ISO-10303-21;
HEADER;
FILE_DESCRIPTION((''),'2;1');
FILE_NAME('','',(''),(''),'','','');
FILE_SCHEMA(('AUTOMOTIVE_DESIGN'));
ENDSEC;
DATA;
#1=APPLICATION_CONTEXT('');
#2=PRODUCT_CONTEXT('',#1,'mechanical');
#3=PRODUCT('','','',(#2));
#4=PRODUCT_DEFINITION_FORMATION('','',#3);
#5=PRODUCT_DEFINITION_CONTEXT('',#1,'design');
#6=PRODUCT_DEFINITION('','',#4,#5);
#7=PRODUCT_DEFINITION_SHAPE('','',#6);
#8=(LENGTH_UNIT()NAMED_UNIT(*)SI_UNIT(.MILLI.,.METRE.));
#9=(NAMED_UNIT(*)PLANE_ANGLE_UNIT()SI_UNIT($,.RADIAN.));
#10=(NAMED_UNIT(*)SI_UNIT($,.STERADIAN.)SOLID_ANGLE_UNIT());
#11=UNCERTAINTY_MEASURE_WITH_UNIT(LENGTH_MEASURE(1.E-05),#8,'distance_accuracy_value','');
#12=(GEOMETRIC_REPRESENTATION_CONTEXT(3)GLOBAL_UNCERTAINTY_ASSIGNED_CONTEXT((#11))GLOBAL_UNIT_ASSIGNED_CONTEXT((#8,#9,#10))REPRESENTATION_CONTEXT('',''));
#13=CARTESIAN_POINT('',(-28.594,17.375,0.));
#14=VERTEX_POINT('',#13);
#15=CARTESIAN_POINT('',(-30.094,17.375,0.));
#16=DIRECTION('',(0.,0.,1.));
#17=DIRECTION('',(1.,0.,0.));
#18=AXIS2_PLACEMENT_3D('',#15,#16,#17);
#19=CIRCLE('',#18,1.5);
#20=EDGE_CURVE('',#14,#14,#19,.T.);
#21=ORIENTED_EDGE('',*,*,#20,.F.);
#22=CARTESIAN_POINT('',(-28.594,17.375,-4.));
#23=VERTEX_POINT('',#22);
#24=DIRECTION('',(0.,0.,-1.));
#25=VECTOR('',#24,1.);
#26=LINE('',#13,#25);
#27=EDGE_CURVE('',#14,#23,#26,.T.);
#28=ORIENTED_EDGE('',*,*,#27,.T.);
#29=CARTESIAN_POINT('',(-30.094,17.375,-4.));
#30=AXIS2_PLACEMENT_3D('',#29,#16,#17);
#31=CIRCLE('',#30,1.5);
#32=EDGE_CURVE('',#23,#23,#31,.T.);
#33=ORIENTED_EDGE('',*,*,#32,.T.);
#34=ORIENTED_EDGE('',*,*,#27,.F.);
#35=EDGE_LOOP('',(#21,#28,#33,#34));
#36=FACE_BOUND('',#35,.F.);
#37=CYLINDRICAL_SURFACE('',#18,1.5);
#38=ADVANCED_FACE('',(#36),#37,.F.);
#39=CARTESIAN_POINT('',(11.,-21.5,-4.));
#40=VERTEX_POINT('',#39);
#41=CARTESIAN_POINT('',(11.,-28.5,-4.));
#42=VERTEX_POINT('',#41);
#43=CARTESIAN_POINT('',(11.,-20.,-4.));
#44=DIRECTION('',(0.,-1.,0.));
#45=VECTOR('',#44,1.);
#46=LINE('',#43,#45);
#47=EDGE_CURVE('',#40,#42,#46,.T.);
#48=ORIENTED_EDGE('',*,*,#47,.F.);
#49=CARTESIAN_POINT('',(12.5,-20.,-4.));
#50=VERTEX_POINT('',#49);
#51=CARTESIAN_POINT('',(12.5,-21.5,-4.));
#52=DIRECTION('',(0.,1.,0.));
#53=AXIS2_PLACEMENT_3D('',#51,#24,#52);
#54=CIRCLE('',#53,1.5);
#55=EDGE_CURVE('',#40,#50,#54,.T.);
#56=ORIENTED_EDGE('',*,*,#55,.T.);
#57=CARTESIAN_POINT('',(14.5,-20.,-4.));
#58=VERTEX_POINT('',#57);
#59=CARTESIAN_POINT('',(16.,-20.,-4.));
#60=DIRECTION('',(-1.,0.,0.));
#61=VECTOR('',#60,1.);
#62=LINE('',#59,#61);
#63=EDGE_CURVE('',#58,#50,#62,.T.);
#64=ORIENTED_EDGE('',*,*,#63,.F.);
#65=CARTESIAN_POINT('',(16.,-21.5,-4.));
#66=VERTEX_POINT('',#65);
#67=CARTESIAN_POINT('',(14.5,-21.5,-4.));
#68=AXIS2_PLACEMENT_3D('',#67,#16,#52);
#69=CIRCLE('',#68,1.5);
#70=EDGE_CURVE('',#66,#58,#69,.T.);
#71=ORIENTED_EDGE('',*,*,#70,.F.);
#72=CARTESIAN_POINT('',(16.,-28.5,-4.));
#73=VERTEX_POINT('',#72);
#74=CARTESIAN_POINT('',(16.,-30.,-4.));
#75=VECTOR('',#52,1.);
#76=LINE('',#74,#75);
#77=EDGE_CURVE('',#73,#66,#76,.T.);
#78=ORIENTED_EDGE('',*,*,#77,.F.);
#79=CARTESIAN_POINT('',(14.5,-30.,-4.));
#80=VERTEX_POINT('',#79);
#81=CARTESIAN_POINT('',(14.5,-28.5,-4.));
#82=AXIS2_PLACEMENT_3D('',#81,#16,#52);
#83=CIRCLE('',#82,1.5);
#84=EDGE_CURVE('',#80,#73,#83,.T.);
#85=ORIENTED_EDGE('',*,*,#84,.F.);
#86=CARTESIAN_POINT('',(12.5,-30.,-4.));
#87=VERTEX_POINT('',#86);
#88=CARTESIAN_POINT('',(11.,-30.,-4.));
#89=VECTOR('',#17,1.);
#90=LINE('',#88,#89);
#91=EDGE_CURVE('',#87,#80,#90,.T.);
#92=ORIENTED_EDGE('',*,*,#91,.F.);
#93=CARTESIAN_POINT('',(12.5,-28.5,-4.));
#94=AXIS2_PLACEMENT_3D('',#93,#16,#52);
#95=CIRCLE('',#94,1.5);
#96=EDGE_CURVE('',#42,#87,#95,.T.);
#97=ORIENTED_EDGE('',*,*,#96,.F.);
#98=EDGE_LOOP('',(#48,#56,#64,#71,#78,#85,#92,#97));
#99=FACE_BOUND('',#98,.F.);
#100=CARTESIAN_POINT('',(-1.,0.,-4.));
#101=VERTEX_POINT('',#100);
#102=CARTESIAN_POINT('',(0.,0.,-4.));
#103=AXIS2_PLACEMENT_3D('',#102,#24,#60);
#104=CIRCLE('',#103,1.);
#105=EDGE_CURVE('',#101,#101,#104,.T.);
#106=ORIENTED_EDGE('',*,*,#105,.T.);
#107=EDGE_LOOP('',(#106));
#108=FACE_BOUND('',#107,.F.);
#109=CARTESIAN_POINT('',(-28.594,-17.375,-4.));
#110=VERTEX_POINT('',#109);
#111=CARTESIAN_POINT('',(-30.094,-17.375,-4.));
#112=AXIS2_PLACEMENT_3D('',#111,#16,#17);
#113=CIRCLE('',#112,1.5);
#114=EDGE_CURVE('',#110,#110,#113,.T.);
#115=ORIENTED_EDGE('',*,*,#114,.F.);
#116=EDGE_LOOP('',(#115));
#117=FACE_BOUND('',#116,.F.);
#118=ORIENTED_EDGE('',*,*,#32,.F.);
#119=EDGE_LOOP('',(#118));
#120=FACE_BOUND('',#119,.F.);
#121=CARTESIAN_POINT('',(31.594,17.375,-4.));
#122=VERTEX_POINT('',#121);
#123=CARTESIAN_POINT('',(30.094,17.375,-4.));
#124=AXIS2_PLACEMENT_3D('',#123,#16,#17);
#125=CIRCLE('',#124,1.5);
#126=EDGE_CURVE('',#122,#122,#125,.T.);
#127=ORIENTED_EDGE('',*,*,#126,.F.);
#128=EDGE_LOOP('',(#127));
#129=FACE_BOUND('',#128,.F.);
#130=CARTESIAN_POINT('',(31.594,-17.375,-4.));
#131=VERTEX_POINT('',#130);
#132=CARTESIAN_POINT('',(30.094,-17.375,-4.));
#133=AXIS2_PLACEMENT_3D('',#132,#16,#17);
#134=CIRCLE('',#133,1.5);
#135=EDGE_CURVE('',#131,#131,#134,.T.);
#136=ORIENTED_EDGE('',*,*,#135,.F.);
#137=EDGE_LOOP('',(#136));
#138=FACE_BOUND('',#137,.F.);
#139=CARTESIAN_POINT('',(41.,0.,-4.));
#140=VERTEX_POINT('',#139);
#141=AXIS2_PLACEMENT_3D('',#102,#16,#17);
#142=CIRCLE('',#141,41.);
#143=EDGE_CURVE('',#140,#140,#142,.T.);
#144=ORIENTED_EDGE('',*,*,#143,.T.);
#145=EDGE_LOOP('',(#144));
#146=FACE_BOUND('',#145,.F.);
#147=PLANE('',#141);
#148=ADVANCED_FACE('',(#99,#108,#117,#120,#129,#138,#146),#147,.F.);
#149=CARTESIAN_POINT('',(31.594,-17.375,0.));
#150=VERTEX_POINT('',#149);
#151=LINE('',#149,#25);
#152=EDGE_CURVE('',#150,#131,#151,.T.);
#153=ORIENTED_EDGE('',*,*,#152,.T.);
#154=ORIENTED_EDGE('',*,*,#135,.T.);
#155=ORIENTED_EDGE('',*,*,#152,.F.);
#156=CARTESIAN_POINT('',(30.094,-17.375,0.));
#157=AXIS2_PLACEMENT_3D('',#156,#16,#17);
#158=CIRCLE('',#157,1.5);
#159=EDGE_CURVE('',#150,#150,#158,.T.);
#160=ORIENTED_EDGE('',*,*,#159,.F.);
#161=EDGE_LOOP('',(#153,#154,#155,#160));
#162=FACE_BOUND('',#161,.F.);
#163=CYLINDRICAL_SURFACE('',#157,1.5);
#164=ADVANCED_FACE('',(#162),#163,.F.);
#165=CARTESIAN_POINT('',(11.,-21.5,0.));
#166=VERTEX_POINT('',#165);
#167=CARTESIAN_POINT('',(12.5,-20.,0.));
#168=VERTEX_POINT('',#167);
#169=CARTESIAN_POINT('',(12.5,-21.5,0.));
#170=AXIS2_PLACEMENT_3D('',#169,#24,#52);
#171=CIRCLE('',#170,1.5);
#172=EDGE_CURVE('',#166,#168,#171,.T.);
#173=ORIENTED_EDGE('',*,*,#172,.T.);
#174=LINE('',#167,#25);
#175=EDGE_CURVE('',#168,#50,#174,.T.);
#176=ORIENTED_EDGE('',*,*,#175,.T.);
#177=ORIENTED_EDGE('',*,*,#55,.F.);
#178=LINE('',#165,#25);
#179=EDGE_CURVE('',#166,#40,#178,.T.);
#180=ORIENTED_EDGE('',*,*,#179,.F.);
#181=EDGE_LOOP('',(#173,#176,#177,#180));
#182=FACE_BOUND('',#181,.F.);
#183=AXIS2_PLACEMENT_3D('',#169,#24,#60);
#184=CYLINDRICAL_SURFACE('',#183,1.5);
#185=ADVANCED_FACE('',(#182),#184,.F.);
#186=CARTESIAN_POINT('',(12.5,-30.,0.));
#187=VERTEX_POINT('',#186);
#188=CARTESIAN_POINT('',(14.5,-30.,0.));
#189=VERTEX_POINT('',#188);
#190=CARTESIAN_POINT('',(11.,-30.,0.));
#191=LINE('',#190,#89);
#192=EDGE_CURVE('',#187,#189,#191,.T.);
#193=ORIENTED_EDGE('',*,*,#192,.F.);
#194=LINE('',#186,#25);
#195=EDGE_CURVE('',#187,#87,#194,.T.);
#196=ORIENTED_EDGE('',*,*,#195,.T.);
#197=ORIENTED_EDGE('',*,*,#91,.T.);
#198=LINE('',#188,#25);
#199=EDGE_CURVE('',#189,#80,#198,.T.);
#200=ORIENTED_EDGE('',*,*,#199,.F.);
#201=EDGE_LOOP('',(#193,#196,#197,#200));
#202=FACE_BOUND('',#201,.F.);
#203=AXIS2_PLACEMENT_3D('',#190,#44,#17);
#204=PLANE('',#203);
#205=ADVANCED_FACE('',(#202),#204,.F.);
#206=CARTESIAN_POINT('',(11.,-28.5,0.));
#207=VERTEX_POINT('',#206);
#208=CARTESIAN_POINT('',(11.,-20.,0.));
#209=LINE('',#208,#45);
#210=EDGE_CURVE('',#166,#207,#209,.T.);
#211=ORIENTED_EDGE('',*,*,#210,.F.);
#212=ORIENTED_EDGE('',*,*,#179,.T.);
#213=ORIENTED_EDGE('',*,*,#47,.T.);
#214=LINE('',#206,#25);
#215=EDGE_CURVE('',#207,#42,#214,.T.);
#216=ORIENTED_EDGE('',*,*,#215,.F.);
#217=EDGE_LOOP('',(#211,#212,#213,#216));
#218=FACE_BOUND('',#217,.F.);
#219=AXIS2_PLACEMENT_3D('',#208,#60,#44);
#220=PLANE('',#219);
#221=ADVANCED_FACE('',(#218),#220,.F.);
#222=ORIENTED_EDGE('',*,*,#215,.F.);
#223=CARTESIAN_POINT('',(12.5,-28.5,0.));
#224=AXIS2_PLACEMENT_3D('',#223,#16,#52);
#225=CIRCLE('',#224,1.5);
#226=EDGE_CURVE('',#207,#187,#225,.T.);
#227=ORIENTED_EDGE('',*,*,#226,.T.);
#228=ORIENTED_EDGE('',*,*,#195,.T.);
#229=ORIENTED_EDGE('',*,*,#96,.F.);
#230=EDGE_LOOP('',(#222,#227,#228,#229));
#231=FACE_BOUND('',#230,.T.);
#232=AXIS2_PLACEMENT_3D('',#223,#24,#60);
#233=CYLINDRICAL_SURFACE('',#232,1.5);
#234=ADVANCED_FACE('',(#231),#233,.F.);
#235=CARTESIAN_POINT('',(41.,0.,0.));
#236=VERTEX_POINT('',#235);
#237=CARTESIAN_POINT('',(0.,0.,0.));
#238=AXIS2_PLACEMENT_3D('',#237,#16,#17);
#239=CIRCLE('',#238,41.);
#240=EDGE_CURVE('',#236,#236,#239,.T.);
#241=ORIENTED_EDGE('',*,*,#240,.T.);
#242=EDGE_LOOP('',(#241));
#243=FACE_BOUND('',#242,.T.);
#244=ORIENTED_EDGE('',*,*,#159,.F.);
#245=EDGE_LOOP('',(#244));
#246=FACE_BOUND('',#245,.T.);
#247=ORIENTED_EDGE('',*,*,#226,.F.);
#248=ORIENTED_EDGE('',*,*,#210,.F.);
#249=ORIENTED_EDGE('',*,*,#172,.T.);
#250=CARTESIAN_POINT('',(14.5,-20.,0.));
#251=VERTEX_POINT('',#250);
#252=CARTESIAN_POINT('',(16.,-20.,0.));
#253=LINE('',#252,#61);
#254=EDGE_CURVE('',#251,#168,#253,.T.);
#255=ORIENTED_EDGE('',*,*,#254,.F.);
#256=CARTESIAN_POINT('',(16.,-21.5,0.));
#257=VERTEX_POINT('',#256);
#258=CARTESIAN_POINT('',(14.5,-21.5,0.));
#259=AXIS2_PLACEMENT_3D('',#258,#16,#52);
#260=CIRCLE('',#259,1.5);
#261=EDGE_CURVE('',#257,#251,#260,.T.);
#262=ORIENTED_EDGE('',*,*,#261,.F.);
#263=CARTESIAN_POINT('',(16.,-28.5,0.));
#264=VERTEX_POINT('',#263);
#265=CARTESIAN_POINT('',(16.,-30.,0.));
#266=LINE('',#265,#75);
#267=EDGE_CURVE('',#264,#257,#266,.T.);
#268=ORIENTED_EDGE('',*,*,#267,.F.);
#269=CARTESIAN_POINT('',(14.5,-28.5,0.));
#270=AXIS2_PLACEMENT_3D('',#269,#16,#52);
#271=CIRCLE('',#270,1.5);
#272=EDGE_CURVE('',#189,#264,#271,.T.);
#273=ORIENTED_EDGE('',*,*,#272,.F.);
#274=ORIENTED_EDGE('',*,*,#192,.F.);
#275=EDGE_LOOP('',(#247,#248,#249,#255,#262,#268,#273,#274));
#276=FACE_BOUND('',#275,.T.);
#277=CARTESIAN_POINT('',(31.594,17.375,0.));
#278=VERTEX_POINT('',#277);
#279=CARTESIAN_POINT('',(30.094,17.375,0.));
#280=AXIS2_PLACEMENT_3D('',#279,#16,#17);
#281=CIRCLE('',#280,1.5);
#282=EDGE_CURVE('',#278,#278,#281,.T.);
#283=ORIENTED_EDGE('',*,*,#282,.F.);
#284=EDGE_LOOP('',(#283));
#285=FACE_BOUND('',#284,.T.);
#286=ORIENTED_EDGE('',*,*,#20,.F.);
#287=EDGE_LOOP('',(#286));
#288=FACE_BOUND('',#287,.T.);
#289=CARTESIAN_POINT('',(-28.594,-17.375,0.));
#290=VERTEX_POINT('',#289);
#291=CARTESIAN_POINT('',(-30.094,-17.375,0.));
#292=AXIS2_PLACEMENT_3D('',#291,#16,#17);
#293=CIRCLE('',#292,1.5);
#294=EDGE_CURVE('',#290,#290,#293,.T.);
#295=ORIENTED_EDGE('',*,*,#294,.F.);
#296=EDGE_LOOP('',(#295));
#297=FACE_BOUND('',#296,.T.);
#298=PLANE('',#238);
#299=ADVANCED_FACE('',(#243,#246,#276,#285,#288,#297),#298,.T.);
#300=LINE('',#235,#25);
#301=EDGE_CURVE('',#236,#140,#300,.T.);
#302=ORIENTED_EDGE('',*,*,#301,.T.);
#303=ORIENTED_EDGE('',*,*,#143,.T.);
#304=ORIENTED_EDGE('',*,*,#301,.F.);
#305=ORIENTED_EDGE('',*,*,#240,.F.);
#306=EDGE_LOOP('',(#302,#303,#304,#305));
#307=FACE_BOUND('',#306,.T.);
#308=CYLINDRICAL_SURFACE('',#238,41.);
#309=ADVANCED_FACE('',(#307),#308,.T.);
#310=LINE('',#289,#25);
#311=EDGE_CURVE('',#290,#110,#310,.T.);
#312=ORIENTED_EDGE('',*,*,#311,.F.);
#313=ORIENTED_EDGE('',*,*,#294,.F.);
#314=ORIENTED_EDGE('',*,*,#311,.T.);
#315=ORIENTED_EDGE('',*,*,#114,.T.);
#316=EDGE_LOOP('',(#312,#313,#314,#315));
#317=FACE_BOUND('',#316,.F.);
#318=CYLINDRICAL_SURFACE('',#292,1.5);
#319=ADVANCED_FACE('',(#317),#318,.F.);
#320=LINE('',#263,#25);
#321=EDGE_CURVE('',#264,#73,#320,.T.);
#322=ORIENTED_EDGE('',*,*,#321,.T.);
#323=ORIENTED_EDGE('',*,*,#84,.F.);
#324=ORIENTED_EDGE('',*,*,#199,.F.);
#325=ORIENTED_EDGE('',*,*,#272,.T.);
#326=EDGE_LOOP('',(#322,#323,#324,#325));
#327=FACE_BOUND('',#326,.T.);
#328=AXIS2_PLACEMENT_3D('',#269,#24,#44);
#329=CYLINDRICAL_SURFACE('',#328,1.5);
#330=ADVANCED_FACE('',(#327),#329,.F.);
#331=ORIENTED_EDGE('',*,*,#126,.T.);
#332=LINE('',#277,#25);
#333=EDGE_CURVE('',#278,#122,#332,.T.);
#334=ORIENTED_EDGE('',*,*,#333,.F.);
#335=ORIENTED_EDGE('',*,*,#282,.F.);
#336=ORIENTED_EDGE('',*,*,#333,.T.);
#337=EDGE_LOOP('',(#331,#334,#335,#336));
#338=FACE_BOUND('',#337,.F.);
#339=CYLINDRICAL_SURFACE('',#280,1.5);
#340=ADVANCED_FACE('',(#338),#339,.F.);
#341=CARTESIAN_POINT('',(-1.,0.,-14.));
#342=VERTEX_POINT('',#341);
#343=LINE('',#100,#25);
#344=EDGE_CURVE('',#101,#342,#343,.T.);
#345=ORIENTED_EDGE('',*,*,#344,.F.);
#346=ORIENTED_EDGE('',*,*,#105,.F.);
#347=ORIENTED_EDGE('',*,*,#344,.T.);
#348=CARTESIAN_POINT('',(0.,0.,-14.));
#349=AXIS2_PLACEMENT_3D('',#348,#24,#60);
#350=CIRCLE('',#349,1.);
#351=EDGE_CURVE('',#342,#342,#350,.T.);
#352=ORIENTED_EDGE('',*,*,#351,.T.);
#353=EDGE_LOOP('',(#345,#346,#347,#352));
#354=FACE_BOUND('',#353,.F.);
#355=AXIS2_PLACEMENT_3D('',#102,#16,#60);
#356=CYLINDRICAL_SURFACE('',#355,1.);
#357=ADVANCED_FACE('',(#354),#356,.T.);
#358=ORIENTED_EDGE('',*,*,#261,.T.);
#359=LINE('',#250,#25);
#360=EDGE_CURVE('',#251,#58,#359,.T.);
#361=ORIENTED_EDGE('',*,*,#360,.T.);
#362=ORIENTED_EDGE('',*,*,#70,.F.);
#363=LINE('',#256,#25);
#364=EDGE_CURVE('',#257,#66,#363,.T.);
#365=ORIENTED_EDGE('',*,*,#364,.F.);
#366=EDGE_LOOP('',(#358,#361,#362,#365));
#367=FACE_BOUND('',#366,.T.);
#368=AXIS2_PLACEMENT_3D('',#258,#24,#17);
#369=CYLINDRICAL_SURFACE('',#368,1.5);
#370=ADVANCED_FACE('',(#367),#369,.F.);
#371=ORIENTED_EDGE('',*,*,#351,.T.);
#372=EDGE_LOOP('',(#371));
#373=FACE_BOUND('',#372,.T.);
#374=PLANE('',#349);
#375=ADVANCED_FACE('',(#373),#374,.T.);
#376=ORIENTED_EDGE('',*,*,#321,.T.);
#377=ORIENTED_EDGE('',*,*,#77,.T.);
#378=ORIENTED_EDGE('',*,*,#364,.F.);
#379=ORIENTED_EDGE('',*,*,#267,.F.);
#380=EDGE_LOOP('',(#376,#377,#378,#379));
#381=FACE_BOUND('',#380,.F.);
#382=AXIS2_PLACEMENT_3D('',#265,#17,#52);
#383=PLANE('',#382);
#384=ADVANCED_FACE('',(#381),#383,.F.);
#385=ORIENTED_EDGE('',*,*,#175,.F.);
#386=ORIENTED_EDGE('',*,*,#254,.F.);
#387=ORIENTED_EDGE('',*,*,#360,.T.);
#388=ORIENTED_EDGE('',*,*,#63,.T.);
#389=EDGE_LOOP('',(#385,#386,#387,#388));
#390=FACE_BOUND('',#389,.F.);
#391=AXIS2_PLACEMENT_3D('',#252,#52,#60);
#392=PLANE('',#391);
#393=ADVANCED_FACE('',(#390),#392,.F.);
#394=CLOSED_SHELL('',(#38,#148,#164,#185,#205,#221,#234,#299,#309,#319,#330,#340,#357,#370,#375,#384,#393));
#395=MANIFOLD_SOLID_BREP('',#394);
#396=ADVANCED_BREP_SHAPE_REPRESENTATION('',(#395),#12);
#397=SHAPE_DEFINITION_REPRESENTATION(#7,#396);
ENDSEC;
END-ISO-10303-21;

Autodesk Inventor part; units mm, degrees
ref_plane "YZ Plane" through (0, 0, 0) normal (1, 0, 0) x (0, 1, 0)
sketch "Sketch1" plane through (0, 0, 0) normal (0, 0, 1) x (1, 0, 0)
  circle A0 centre (0, 0) radius 41
  circle A1 centre (0, 0) radius 17.705
  circle A2 centre (0, 0) radius 15
  circle A3 centre (0, 15) radius 0.75
  circle A4 centre (-10.6066, 10.6066) radius 0.75
  circle A5 centre (-15, 0) radius 0.75
  circle A6 centre (-10.6066, -10.6066) radius 0.75
  circle A7 centre (0, -15) radius 0.75
  circle A8 centre (10.6066, -10.6066) radius 0.75
  circle A9 centre (15, 0) radius 0.75
  circle A10 centre (10.6066, 10.6066) radius 0.75
  dimension "d4" = 30
  dimension "d0" = 82
  dimension "d3" = 35.41
  dimension "d5" = 1.5
  dimension "d6" = 360
sketch "Sketch2" plane through (0, 0, 0) normal (0, 0, 1) x (1, 0, 0)
  circle A0 centre (-30.094, -17.375) radius 1.5
  circle A1 centre (-30.094, 17.375) radius 1.5
  circle A2 centre (30.094, 17.375) radius 1.5
  circle A3 centre (30.094, -17.375) radius 1.5
  point P0 (0, 0)
  dimension "d7" = 3
  dimension "d8" = 3
  dimension "d9" = 3
  dimension "d10" = 3
  dimension "d11" = 17.375
  dimension "d12" = 30.094
  dimension "d13" = 30.094
  dimension "d14" = 17.375
  dimension "d15" = 17.375
  dimension "d16" = 30.094
  dimension "d17" = 17.375
  dimension "d18" = 30.094
extrude "Extrusion1" add sketch "Sketch1" against normal blind 4 contours A0 | A1 | A2 A9 | A2 A9 | A9 A2 A8 A7 A6 A5 A4 A3 A10 | A10 A2 | A2 A10 | A8 A2 | A2 A8 | A3 A2 | A2 A3 | A7 A2 | A2 A7 | A4 A2 | A2 A4 | A6 A2 | A2 A6 | A5 A2 | A2 A5
extrude "Extrusion2" cut sketch "Sketch2" against normal blind 4
ref_plane "Work Plane1" through (0, 0, -4) normal (0, 0, 1) x (1, 0, 0)
ref_plane "Work Plane2" through (0, 0, -4) normal (0, 0, 1) x (1, 0, 0)
ref_plane "Work Plane3" through (0, 0, 0) normal (0, 0, 1) x (1, 0, 0)
sketch "Sketch5" plane through (0, 0, 0) normal (0, 0, 1) x (1, 0, 0)
  line L0 (11, -30) -> (16, -30)
  line L1 (16, -30) -> (16, -20)
  line L2 (16, -20) -> (11, -20)
  line L3 (11, -20) -> (11, -30)
  point P0 (0, 0)
  point P1 (13.5, -20)
  point P2 (13.5, -30)
  point P3 (16, -25)
  dimension "d44" = 5
  dimension "d45" = 10
  dimension "d52" = 11
  dimension "d53" = 20
extrude "Extrusion5" cut sketch "Sketch5" against normal blind 4
fillet "Fillet1" radius 1.5 4 edges at (11, -20, -2) (11, -30, -2) (16, -20, -2) (16, -30, -2)
ref_plane "Work Plane6" through (0, 0, -4) normal (0, 0, -1) x (-1, 0, 0)
sketch "Sketch10" plane through (0, 0, -4) normal (0, 0, -1) x (-1, 0, 0)
  circle A0 centre (0, 0) radius 1
  dimension "d71" = 2
extrude "Extrusion10" add sketch "Sketch10" along normal blind 10
properties part number "lower-plate_3DPrint"
